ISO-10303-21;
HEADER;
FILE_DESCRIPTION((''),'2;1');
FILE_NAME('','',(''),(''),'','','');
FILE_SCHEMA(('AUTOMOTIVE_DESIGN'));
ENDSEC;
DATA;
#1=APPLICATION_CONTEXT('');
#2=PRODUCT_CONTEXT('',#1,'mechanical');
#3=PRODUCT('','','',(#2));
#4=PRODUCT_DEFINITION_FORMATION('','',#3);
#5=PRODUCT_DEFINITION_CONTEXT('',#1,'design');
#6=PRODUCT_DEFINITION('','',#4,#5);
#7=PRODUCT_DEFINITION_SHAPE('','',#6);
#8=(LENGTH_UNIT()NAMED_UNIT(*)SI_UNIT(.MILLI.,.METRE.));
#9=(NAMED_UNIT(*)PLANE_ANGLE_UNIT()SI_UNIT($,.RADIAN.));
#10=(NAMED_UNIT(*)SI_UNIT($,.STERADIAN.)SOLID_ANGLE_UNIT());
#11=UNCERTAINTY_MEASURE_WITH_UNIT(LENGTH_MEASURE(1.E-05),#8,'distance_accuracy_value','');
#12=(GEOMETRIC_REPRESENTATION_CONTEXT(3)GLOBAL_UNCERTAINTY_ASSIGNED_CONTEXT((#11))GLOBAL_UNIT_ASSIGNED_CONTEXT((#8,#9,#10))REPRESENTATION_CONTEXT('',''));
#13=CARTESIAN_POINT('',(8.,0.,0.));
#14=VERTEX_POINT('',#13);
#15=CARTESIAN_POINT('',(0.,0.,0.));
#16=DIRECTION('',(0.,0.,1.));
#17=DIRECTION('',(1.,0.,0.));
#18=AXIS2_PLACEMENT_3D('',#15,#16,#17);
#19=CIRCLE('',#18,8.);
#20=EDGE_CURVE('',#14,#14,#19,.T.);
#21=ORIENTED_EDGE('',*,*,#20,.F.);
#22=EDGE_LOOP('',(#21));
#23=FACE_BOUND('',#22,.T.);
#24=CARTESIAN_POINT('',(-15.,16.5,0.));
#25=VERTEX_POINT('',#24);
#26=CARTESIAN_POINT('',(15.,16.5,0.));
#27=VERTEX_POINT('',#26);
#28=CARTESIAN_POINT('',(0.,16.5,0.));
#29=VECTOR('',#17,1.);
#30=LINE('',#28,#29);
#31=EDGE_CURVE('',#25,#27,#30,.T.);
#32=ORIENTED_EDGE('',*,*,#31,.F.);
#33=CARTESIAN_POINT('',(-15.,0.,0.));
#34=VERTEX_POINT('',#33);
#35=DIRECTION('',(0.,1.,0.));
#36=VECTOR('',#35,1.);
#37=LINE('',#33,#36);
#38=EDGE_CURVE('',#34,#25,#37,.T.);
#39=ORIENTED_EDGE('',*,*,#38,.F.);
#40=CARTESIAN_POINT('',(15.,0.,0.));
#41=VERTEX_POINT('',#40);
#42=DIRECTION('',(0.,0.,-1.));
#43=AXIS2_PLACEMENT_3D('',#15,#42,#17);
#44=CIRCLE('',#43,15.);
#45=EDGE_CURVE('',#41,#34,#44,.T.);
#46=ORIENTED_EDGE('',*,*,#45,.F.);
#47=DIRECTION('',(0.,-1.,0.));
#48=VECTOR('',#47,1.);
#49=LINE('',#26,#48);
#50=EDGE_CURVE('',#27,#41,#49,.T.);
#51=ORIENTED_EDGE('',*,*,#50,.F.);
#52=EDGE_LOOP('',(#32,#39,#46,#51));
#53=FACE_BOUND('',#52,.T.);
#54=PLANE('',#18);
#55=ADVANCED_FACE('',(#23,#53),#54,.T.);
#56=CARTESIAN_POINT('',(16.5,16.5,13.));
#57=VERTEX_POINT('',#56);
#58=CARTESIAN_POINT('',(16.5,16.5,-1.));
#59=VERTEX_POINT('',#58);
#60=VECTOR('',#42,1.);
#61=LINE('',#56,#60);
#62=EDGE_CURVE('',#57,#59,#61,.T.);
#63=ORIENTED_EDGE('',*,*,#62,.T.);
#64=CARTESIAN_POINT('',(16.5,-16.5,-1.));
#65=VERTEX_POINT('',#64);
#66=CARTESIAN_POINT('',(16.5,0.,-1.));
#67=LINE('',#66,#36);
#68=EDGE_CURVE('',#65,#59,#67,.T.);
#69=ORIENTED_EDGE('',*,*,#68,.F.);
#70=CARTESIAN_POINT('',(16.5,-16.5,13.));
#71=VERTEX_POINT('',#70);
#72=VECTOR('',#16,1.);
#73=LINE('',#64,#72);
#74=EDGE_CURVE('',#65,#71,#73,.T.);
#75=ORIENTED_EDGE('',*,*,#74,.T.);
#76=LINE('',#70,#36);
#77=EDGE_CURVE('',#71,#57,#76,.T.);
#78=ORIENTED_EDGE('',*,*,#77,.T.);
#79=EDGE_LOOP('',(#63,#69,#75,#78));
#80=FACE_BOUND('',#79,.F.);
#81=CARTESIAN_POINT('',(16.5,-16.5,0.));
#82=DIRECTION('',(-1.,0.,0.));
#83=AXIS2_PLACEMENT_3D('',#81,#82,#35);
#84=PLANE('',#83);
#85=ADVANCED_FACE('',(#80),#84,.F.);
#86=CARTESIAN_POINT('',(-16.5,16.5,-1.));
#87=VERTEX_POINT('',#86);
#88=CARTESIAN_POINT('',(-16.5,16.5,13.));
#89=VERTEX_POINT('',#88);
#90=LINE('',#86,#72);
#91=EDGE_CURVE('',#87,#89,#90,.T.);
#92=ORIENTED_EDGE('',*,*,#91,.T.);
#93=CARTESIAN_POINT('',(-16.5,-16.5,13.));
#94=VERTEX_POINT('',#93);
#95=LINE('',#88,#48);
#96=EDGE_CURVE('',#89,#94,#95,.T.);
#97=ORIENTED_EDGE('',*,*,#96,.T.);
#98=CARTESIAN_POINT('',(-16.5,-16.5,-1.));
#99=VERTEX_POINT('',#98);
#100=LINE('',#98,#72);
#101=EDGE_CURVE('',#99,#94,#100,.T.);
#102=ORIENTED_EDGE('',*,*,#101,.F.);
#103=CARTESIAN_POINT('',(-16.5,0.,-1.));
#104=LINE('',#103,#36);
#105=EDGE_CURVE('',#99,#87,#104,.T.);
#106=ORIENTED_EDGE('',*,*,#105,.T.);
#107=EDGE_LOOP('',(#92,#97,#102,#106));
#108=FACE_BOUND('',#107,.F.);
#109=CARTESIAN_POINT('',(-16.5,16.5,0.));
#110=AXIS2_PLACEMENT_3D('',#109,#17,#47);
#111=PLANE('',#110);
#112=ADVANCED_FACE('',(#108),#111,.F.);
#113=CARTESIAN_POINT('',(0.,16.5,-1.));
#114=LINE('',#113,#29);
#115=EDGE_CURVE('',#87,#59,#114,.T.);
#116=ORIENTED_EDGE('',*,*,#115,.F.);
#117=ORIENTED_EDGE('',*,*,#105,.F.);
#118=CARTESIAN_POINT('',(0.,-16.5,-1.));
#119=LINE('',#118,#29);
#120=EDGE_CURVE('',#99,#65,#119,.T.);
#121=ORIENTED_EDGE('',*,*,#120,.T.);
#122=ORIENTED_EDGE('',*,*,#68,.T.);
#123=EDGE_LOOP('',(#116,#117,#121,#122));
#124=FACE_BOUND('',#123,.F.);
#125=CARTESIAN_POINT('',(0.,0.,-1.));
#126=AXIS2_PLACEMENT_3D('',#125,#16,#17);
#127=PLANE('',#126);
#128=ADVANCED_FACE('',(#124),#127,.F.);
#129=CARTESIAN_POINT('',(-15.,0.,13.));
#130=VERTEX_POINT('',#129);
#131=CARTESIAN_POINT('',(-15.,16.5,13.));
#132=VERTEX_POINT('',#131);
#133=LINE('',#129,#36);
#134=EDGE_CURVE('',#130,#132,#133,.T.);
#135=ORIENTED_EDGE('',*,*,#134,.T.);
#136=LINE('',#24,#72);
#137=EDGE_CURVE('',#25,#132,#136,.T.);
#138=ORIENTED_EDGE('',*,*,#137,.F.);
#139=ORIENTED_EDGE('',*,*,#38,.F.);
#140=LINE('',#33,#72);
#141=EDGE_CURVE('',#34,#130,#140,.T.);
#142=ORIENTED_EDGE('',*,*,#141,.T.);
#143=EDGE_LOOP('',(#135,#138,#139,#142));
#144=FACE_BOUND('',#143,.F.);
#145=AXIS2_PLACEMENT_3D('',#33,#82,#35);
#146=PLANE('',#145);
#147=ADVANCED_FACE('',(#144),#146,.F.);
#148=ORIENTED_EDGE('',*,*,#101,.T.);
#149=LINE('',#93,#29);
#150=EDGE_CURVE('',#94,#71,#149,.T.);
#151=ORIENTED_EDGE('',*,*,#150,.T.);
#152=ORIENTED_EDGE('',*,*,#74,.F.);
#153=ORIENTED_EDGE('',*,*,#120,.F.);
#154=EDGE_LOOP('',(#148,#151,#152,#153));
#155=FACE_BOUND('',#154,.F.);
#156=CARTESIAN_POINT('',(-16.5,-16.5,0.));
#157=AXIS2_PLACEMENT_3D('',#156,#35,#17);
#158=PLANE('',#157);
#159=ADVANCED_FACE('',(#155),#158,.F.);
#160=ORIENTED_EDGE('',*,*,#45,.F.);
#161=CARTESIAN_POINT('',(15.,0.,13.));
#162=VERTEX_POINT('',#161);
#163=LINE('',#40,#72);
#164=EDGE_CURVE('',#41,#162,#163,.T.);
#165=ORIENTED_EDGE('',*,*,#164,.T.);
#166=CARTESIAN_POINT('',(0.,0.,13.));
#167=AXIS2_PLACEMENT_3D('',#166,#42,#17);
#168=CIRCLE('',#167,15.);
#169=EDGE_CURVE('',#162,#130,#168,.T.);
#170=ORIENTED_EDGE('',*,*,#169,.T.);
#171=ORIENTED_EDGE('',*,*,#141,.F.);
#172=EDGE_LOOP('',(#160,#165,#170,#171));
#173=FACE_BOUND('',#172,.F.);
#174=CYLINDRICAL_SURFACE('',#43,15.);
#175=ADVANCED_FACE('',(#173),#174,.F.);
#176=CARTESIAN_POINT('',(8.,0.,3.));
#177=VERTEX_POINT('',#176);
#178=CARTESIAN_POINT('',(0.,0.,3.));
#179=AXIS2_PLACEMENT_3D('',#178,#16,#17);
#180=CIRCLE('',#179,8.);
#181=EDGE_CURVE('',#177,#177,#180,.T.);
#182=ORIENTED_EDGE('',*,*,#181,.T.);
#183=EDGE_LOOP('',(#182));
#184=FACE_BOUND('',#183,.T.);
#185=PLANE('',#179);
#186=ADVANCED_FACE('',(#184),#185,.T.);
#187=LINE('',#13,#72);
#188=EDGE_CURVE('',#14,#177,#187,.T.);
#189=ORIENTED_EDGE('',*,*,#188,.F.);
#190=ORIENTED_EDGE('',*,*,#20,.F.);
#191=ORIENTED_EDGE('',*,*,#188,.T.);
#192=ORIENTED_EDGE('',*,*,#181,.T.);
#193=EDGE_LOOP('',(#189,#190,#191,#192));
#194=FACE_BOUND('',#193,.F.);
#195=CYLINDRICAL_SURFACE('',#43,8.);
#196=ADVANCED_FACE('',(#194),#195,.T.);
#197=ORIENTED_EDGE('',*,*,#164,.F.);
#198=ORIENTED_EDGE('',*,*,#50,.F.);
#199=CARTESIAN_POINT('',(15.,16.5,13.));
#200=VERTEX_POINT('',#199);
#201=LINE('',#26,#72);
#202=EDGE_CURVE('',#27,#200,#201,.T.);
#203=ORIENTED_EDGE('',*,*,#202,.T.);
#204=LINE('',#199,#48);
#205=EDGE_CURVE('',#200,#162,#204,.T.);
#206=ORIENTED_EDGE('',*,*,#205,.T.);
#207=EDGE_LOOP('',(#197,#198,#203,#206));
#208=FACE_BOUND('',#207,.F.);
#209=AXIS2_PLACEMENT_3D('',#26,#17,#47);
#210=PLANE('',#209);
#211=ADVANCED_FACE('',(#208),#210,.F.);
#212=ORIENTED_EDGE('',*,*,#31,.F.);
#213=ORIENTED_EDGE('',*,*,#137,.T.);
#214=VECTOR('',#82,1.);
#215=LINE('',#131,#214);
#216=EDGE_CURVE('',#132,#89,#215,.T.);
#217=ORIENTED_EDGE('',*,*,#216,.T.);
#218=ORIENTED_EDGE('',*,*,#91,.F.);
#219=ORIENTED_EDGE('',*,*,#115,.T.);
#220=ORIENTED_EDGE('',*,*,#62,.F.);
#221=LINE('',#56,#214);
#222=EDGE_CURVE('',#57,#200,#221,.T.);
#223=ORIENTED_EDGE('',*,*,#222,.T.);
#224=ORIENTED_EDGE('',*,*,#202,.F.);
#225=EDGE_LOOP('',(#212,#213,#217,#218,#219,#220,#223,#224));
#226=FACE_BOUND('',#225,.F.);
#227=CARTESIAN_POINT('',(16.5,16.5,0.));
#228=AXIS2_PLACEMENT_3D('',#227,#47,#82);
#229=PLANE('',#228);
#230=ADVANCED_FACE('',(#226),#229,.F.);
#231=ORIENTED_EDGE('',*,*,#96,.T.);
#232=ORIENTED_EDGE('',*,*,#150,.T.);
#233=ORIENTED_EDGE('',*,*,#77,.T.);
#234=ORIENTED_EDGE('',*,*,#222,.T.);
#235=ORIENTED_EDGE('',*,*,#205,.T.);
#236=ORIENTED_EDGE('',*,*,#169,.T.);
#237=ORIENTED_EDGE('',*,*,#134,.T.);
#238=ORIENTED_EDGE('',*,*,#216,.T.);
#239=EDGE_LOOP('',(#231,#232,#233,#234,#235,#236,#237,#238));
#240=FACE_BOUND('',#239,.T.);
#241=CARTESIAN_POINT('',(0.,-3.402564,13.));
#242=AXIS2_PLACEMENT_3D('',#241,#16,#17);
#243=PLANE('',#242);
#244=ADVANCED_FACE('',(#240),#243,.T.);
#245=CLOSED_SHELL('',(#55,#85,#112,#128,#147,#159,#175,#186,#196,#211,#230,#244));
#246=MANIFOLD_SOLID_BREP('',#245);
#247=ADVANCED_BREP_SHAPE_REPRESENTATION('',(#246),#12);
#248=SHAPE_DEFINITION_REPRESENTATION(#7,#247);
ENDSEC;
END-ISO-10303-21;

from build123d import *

# Parameters (mm, degrees)
F0_W     = 33
F0_H     = 33
F0_R     = 8
F1_DEPTH = 1
F2_DEPTH = 3
F4_DEPTH = 13


with BuildPart() as f1:
    # F0 (on Top) → F1 (new body)
    with BuildSketch(Plane.XY):
        Rectangle(F0_W, F0_H)
        Circle(F0_R, mode=Mode.SUBTRACT)
        Circle(F0_R)
    extrude(amount=-F1_DEPTH)

    # F0 (on Top) → F2 (join)
    with BuildSketch(Plane.XY):
        Circle(F0_R)
    extrude(amount=F2_DEPTH)

    # F3 (on face) → F4 (join)
    with BuildSketch(Plane.XY):
        with BuildLine():
            ThreePointArc((15, 0), (0, -15), (-15, 0))
            Line((-15, 0), (-15, 16.5))
            Line((-15, 16.5), (-16.5, 16.5))
            Line((-16.5, 16.5), (-16.5, -16.5))
            Line((-16.5, -16.5), (16.5, -16.5))
            Line((16.5, -16.5), (16.5, 16.5))
            Line((16.5, 16.5), (15, 16.5))
            Line((15, 16.5), (15, 0))
        make_face()
    extrude(amount=F4_DEPTH)


solid = f1.part
